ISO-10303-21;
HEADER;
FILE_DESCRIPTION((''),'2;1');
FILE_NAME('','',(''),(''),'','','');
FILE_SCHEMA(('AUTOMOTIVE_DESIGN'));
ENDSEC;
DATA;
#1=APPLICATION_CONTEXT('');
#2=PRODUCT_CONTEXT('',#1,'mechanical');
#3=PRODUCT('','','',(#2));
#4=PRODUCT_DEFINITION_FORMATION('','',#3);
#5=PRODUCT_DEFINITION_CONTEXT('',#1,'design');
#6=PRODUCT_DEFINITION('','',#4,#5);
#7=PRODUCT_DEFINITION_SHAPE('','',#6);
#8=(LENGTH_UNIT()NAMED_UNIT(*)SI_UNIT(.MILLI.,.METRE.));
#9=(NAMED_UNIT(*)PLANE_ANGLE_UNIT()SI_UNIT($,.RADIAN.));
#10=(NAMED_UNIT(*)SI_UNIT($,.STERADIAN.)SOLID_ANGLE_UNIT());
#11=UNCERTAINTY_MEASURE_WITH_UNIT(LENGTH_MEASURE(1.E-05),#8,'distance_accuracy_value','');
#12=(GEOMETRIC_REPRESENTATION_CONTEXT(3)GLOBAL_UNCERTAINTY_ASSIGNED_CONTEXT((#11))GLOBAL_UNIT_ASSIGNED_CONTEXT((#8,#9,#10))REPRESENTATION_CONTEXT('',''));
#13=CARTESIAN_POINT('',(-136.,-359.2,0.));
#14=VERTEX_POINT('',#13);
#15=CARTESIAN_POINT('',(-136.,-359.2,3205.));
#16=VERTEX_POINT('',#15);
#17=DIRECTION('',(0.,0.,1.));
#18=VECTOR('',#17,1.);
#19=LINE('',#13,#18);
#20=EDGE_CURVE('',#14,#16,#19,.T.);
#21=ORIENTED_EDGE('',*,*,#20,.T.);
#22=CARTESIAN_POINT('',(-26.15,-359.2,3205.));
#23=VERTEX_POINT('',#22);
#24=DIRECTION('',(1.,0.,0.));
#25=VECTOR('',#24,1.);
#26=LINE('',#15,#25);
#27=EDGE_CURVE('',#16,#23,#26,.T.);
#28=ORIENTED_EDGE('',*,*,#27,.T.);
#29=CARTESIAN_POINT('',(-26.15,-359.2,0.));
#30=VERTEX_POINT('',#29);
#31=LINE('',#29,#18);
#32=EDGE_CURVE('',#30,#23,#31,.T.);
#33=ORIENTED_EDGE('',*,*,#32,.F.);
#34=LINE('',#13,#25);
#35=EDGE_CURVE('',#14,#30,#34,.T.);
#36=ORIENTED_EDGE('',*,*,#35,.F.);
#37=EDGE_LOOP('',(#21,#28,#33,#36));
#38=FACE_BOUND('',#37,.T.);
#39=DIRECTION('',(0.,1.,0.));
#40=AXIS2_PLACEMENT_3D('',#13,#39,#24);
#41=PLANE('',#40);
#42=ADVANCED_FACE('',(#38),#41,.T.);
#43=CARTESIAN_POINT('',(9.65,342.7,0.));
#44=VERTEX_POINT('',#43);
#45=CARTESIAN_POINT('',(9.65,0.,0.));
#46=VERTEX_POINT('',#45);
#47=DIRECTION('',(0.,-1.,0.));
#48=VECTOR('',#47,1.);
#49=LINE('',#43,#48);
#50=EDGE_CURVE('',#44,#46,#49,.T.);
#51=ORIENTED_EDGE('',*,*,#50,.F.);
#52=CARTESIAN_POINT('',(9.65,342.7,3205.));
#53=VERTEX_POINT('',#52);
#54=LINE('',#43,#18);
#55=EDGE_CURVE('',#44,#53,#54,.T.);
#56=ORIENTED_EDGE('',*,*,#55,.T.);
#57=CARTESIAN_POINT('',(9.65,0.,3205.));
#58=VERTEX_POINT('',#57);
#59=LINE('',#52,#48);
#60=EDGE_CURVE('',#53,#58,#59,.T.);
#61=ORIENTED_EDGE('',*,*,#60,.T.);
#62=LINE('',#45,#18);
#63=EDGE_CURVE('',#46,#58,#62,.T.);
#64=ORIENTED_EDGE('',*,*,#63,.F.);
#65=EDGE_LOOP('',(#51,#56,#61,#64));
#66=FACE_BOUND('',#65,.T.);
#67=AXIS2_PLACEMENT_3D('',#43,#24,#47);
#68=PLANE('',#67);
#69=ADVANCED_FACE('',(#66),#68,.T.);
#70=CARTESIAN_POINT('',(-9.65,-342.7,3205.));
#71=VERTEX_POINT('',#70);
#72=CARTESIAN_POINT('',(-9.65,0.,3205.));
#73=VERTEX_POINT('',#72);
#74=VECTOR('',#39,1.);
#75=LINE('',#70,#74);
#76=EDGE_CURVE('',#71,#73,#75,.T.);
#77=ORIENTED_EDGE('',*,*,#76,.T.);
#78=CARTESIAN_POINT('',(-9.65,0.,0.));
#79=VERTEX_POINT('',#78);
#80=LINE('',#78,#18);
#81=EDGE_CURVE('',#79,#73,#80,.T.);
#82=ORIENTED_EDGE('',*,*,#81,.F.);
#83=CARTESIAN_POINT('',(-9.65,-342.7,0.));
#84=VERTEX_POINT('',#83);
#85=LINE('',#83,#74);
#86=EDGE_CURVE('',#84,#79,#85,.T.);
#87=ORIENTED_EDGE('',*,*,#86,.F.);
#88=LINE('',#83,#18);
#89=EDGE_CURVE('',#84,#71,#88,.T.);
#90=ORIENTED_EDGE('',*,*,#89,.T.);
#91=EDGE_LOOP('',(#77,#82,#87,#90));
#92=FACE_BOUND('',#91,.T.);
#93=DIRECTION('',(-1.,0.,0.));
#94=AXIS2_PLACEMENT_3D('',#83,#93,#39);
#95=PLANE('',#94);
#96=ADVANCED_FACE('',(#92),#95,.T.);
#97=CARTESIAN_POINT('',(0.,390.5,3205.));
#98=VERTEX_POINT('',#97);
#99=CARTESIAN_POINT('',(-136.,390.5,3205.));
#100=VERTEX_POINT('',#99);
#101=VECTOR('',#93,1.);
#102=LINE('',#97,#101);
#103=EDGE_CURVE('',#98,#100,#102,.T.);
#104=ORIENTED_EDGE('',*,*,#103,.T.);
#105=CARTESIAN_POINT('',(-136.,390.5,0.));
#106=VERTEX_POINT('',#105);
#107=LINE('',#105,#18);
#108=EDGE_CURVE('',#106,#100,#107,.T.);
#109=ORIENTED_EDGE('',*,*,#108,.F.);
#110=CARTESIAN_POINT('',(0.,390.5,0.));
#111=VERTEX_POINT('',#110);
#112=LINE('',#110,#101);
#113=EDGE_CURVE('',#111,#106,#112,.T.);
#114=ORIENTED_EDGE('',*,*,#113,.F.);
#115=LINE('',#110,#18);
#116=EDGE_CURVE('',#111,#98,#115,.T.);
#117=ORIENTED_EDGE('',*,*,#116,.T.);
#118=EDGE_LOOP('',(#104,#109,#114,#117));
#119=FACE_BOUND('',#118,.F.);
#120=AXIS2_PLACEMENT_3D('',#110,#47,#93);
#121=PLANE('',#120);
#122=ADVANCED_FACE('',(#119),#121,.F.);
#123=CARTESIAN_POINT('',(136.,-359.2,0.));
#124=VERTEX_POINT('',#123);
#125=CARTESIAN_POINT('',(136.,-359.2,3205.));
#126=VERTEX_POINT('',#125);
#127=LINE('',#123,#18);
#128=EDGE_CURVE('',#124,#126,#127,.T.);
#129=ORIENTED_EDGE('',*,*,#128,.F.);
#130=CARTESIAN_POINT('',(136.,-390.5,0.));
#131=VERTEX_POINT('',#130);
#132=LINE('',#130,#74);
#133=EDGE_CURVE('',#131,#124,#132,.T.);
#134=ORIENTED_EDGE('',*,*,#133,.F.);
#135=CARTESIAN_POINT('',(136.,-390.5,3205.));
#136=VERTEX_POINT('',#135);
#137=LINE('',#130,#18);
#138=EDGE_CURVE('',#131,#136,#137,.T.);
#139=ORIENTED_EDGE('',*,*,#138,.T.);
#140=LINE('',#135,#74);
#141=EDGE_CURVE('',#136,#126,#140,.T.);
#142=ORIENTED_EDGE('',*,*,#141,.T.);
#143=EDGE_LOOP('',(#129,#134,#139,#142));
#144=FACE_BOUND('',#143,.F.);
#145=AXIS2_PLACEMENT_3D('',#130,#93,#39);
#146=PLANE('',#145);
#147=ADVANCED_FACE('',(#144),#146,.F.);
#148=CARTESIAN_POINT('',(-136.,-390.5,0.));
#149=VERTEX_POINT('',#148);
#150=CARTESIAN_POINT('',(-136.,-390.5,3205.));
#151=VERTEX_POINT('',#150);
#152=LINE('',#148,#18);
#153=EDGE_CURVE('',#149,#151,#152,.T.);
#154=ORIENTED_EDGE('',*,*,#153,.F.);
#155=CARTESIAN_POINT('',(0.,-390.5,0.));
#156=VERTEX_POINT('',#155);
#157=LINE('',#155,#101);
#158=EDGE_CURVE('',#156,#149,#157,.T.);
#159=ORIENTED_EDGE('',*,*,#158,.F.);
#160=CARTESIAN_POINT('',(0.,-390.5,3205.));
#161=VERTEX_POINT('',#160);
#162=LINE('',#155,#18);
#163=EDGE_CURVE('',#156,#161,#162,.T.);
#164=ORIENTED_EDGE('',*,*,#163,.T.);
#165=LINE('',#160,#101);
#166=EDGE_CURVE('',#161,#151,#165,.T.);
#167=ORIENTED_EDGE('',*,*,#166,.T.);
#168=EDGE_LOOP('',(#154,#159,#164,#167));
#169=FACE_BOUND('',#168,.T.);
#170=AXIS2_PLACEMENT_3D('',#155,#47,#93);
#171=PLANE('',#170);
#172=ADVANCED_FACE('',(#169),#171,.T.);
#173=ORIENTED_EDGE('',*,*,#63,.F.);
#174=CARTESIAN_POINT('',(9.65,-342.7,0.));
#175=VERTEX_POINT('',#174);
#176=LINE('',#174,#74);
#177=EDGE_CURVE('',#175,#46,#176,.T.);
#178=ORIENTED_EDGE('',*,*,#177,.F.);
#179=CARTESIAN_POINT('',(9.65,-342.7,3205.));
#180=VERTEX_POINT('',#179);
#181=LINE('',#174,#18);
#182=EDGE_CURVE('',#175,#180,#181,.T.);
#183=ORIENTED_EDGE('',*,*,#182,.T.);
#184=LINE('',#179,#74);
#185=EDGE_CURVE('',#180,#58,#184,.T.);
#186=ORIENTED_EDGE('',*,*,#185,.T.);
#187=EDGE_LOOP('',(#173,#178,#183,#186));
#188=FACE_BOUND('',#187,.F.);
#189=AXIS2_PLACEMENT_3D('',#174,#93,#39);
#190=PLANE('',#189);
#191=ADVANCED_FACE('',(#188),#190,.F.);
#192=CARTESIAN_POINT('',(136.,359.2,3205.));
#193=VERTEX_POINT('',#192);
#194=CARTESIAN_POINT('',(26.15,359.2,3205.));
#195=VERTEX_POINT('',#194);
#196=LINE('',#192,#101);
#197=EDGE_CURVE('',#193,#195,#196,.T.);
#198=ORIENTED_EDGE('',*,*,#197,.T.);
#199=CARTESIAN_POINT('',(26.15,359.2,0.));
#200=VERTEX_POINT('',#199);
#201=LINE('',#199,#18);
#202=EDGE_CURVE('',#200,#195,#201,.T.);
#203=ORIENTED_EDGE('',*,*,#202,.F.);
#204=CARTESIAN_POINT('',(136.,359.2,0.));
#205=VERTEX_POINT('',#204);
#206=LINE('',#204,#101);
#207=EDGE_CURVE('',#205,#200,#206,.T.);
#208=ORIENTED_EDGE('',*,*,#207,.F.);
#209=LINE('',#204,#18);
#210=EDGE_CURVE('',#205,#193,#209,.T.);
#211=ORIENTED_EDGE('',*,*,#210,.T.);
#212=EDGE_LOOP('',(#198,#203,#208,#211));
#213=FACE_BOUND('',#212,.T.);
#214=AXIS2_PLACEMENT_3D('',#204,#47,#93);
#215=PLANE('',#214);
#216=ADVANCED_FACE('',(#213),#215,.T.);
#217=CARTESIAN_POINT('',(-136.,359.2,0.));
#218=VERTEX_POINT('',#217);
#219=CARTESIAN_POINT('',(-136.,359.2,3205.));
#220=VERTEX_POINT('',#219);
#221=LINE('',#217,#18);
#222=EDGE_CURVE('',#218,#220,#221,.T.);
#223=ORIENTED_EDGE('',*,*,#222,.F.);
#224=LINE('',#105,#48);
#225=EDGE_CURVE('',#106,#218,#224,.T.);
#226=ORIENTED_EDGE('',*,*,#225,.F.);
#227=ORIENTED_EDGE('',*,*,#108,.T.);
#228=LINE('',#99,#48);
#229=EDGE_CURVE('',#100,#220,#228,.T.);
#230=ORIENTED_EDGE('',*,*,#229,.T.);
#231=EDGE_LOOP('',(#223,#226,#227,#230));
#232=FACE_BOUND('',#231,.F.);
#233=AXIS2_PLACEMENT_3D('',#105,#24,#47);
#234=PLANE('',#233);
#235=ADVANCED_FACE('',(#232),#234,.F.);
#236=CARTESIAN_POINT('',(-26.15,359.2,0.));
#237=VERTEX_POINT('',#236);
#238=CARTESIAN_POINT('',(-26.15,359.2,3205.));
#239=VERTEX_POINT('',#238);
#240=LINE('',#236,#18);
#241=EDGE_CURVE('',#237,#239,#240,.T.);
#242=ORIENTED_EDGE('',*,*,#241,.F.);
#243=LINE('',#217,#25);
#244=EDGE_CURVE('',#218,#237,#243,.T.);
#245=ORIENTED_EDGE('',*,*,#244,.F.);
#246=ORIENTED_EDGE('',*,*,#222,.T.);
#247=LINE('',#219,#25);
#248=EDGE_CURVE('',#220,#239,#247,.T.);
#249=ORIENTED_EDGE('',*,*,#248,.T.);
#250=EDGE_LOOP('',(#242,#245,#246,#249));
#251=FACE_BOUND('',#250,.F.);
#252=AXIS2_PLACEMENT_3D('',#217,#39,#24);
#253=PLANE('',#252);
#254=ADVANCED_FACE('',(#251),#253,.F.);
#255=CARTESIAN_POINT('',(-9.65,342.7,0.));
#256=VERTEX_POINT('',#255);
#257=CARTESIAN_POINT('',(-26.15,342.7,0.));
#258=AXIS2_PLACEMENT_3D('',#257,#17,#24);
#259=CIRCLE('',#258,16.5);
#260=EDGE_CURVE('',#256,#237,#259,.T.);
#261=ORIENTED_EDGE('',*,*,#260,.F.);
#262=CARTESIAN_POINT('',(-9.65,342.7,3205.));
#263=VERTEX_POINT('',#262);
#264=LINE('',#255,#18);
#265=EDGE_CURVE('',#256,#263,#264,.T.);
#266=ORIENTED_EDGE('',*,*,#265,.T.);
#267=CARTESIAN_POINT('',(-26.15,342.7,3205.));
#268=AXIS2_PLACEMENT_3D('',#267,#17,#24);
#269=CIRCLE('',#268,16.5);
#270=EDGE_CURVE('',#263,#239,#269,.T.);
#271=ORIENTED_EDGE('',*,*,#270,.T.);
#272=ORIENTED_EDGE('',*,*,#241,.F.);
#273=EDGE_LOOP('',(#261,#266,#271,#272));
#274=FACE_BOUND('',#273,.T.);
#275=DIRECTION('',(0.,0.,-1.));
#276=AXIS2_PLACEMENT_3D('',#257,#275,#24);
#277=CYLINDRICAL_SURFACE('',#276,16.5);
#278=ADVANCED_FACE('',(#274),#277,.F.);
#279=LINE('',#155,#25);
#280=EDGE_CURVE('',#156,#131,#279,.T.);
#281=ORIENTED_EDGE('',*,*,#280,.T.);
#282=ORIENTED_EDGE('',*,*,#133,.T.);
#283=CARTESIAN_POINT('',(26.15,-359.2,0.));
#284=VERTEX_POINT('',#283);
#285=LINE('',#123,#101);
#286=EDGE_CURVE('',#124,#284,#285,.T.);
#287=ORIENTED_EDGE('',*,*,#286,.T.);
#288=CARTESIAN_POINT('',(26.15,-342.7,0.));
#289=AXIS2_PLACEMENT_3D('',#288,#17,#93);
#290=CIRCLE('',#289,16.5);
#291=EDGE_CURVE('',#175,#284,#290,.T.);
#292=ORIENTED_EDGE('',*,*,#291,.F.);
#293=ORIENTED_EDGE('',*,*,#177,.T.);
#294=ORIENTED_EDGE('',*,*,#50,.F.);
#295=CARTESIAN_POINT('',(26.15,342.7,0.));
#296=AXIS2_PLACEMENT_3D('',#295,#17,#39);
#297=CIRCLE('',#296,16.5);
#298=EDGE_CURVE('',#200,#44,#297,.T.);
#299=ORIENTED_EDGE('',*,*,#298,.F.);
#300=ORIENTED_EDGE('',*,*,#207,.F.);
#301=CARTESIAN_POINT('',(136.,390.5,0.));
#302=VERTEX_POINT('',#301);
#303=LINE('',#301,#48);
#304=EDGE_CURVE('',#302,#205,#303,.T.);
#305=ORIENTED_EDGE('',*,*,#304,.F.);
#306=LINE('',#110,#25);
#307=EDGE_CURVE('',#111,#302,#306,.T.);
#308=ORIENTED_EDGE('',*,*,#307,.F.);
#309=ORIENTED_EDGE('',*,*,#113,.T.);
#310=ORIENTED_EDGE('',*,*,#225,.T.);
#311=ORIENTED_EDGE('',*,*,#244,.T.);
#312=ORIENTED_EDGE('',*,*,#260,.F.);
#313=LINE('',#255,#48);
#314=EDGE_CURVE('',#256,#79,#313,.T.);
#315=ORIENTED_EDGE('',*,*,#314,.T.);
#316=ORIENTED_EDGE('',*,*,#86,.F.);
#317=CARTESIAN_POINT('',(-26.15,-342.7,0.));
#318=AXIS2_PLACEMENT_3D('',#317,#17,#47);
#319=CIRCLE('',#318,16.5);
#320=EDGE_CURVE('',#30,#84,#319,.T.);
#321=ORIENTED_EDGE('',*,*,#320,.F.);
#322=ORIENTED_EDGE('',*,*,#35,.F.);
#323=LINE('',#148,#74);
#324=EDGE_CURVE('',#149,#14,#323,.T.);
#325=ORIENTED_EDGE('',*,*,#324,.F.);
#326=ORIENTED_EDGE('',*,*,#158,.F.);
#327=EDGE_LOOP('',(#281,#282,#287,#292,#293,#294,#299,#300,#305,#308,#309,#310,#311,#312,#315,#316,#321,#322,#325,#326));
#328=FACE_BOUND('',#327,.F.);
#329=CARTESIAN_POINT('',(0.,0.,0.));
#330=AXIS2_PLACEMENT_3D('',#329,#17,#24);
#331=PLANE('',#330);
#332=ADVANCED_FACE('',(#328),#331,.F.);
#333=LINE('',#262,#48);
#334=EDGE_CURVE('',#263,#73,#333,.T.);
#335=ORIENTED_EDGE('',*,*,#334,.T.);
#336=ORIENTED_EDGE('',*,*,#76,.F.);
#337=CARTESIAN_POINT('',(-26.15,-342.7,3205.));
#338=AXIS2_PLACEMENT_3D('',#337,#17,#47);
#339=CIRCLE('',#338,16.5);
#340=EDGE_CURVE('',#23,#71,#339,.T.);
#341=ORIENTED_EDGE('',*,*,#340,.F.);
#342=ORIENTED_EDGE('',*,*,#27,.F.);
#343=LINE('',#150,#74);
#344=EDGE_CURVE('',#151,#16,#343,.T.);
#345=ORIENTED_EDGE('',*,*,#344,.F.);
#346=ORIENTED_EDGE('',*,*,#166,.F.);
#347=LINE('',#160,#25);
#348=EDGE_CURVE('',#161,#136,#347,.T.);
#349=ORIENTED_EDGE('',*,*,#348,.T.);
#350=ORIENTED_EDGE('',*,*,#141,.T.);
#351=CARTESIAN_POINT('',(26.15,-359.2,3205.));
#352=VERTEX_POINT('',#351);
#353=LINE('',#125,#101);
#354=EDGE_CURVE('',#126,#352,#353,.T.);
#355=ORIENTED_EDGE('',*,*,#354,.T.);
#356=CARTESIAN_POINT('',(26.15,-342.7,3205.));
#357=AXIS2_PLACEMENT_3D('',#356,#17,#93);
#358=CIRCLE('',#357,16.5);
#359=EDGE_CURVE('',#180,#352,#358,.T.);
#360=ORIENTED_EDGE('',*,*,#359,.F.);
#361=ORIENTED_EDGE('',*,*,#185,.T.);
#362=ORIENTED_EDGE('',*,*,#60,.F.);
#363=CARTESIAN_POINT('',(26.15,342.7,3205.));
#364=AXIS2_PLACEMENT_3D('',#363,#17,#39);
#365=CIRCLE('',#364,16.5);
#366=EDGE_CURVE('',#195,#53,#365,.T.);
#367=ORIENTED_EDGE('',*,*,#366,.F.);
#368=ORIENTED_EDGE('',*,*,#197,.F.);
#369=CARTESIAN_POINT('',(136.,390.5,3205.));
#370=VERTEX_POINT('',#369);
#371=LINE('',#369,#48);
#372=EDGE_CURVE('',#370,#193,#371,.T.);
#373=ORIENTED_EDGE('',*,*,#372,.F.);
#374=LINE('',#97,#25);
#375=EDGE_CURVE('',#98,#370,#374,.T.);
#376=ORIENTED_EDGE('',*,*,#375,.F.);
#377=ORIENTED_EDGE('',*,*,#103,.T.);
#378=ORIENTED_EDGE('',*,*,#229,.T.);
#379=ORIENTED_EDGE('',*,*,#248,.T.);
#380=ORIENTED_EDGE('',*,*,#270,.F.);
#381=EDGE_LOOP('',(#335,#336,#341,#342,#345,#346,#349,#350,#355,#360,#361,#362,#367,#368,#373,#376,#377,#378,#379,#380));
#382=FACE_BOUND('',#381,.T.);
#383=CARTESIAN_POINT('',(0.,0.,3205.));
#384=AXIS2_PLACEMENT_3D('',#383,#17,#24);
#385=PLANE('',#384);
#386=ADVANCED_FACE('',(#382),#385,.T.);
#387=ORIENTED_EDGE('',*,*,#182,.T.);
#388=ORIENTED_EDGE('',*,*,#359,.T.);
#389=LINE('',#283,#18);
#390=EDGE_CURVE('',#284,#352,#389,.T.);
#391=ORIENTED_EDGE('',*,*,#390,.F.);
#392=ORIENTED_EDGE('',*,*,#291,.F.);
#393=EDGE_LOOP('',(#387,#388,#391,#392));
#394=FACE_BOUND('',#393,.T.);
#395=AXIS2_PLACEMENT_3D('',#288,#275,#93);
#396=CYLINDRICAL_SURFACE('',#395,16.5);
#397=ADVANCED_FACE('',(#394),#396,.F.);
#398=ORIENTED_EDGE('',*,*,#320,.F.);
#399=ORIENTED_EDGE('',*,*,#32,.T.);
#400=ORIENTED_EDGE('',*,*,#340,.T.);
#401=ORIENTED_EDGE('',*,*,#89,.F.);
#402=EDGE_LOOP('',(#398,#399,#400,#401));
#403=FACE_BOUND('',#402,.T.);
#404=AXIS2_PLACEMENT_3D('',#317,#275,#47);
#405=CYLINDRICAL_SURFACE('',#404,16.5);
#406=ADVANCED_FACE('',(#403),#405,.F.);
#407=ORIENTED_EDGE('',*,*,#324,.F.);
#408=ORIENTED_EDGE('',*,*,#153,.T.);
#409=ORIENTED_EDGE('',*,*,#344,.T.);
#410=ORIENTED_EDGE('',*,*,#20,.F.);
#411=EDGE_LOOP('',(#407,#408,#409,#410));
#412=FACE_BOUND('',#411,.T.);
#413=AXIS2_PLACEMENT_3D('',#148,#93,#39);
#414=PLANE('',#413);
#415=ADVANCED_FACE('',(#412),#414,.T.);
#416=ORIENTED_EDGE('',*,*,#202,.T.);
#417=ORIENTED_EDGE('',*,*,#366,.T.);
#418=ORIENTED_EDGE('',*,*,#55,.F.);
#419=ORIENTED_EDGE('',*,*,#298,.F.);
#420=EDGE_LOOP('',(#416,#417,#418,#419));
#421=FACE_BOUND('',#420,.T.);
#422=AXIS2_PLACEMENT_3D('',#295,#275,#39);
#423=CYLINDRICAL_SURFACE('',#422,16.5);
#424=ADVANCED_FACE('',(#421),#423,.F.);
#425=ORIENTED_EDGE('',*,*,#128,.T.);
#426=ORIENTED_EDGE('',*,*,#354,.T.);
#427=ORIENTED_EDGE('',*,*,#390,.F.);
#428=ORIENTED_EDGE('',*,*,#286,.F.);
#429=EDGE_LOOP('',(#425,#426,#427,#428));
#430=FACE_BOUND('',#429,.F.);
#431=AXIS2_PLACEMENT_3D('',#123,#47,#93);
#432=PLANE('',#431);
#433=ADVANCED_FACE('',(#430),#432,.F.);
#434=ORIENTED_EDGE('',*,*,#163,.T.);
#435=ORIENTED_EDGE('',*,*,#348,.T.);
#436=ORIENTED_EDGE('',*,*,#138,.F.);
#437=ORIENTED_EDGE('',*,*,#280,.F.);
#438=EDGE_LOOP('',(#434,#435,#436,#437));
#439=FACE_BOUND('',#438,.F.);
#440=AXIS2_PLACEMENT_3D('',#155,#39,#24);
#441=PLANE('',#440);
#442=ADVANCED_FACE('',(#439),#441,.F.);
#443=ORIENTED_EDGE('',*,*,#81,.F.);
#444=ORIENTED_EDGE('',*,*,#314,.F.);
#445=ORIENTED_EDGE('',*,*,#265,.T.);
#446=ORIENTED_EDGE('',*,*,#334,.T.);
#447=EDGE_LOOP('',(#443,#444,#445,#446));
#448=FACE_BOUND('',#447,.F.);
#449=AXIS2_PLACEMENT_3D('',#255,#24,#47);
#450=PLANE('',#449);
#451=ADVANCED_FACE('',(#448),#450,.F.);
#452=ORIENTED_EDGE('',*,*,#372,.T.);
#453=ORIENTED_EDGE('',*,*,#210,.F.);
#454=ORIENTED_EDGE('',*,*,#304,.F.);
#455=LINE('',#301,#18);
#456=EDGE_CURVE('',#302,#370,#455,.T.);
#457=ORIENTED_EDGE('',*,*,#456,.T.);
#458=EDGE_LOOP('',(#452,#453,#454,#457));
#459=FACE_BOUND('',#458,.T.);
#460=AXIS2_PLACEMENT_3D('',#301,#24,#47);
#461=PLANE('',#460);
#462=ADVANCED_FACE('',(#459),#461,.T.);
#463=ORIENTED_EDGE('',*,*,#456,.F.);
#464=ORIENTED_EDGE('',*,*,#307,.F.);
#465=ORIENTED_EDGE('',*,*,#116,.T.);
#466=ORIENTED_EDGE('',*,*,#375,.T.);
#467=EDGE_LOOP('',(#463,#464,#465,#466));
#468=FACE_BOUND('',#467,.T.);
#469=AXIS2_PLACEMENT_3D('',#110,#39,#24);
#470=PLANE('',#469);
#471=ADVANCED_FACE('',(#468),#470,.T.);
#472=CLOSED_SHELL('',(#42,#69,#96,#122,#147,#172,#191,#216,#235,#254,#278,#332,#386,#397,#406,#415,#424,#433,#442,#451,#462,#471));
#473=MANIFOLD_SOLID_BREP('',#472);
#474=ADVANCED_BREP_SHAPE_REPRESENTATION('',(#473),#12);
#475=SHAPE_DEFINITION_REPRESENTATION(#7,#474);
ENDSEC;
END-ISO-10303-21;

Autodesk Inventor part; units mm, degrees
ref_plane "YZ Plane" through (0, 0, 0) normal (1, 0, 0) x (0, 1, 0)
ref_plane "Start plane" through (0, 0, 0) normal (0, 0, 1) x (1, 0, 0)
ref_plane "End plane" through (0, 0, 3205) normal (0, 0, 1) x (1, 0, 0)
sketch "Sketch" plane through (0, 0, 0) normal (0, 0, 1) x (1, 0, 0)
  line L0 (-136, -390.5) -> (-136, -359.2)
  line L1 (-136, -359.2) -> (-26.15, -359.2)
  line L2 (-9.65, -342.7) -> (-9.65, 0)
  line L3 (-9.65, 0) -> (0, 0) construction
  line L4 (0, 0) -> (0, -390.5) construction
  line L5 (0, -390.5) -> (-136, -390.5)
  line L6 (-60, 0) -> (80, 0) construction
  line L7 (0, -60) -> (0, 80) construction
  line L8 (136, -390.5) -> (136, -359.2)
  line L9 (136, -359.2) -> (26.15, -359.2)
  line L10 (9.65, -342.7) -> (9.65, 0)
  line L11 (9.65, 0) -> (0, 0) construction
  line L12 (0, -390.5) -> (136, -390.5)
  line L13 (-136, 390.5) -> (-136, 359.2)
  line L14 (-136, 359.2) -> (-26.15, 359.2)
  line L15 (-9.65, 342.7) -> (-9.65, 0)
  line L16 (0, 390.5) -> (-136, 390.5)
  line L17 (136, 390.5) -> (136, 359.2)
  line L18 (136, 359.2) -> (26.15, 359.2)
  line L19 (0, 390.5) -> (136, 390.5)
  line L20 (9.65, 342.7) -> (9.65, 0)
  arc A0 (-9.65, 342.7) -> (-26.15, 359.2) centre (-26.15, 342.7) ccw
  arc A1 (26.15, 359.2) -> (9.65, 342.7) centre (26.15, 342.7) ccw
  arc A2 (9.65, -342.7) -> (26.15, -359.2) centre (26.15, -342.7) ccw
  arc A3 (-26.15, -359.2) -> (-9.65, -342.7) centre (-26.15, -342.7) ccw
  line L21 (0, 108) -> (0, -88) construction
  line L22 (-88, 0) -> (108, 0) construction
  point P0 (-9.65, -359.2)
  point P1 (9.65, -359.2)
  point P2 (-9.65, 359.2)
  point P3 (9.65, 359.2)
  dimension "d1" = 390.5
  dimension "d2" = 31.3
  dimension "d3" = 136
  dimension "d4" = 9.65
  dimension "d10" = 16.5
extrude "Body" add sketch "Sketch" along normal up to surface (3205 mm away) from surface at 0
sketch "Sketch4" plane through (0, 0, 0) normal (0, 0, 1) x (1, 0, 0)
  line L0 (0, 0) -> (10, 0)
ref_plane "Work Plane3" through (0, 0, 0) normal (0, -1, 0) x (1, 0, 0)
sketch "Sketch5" plane through (0, 0, 0) normal (0, -1, 0) x (1, 0, 0)
  line L0 (-2, 0) -> (12, 0) projected
  line L1 (-2, 3205) -> (12, 3205) projected
  dimension "d14" = 3205
equation "\"d1\" = 0.5 * G_H"
equation "\"d2\" = G_T1"
equation "\"d3\" = 0.5 * G_W"
equation "\"d4\" = 0.5 * G_T"
equation "\"d10\" = G_IR"
equation "\"d5\" = G_L"
equation "\"G_W\" = 272"
equation "\"G_H\" = 781"
equation "\"G_T\" = 19.3"
equation "\"G_T1\" = 31.3"
equation "\"G_IR\" = 16.5"
equation "\"G_L\" = d14"
equation "\"G_OFFSET_START\" = 0"
equation "\"G_OFFSET_END\" = 0"
equation "\"d12\" = G_OFFSET_END + B_L"
equation "\"B_L\" = 3205"
properties part number "AS 3679-1990 - 760 UB - 244 - 3205" material "Steel, Mild"
